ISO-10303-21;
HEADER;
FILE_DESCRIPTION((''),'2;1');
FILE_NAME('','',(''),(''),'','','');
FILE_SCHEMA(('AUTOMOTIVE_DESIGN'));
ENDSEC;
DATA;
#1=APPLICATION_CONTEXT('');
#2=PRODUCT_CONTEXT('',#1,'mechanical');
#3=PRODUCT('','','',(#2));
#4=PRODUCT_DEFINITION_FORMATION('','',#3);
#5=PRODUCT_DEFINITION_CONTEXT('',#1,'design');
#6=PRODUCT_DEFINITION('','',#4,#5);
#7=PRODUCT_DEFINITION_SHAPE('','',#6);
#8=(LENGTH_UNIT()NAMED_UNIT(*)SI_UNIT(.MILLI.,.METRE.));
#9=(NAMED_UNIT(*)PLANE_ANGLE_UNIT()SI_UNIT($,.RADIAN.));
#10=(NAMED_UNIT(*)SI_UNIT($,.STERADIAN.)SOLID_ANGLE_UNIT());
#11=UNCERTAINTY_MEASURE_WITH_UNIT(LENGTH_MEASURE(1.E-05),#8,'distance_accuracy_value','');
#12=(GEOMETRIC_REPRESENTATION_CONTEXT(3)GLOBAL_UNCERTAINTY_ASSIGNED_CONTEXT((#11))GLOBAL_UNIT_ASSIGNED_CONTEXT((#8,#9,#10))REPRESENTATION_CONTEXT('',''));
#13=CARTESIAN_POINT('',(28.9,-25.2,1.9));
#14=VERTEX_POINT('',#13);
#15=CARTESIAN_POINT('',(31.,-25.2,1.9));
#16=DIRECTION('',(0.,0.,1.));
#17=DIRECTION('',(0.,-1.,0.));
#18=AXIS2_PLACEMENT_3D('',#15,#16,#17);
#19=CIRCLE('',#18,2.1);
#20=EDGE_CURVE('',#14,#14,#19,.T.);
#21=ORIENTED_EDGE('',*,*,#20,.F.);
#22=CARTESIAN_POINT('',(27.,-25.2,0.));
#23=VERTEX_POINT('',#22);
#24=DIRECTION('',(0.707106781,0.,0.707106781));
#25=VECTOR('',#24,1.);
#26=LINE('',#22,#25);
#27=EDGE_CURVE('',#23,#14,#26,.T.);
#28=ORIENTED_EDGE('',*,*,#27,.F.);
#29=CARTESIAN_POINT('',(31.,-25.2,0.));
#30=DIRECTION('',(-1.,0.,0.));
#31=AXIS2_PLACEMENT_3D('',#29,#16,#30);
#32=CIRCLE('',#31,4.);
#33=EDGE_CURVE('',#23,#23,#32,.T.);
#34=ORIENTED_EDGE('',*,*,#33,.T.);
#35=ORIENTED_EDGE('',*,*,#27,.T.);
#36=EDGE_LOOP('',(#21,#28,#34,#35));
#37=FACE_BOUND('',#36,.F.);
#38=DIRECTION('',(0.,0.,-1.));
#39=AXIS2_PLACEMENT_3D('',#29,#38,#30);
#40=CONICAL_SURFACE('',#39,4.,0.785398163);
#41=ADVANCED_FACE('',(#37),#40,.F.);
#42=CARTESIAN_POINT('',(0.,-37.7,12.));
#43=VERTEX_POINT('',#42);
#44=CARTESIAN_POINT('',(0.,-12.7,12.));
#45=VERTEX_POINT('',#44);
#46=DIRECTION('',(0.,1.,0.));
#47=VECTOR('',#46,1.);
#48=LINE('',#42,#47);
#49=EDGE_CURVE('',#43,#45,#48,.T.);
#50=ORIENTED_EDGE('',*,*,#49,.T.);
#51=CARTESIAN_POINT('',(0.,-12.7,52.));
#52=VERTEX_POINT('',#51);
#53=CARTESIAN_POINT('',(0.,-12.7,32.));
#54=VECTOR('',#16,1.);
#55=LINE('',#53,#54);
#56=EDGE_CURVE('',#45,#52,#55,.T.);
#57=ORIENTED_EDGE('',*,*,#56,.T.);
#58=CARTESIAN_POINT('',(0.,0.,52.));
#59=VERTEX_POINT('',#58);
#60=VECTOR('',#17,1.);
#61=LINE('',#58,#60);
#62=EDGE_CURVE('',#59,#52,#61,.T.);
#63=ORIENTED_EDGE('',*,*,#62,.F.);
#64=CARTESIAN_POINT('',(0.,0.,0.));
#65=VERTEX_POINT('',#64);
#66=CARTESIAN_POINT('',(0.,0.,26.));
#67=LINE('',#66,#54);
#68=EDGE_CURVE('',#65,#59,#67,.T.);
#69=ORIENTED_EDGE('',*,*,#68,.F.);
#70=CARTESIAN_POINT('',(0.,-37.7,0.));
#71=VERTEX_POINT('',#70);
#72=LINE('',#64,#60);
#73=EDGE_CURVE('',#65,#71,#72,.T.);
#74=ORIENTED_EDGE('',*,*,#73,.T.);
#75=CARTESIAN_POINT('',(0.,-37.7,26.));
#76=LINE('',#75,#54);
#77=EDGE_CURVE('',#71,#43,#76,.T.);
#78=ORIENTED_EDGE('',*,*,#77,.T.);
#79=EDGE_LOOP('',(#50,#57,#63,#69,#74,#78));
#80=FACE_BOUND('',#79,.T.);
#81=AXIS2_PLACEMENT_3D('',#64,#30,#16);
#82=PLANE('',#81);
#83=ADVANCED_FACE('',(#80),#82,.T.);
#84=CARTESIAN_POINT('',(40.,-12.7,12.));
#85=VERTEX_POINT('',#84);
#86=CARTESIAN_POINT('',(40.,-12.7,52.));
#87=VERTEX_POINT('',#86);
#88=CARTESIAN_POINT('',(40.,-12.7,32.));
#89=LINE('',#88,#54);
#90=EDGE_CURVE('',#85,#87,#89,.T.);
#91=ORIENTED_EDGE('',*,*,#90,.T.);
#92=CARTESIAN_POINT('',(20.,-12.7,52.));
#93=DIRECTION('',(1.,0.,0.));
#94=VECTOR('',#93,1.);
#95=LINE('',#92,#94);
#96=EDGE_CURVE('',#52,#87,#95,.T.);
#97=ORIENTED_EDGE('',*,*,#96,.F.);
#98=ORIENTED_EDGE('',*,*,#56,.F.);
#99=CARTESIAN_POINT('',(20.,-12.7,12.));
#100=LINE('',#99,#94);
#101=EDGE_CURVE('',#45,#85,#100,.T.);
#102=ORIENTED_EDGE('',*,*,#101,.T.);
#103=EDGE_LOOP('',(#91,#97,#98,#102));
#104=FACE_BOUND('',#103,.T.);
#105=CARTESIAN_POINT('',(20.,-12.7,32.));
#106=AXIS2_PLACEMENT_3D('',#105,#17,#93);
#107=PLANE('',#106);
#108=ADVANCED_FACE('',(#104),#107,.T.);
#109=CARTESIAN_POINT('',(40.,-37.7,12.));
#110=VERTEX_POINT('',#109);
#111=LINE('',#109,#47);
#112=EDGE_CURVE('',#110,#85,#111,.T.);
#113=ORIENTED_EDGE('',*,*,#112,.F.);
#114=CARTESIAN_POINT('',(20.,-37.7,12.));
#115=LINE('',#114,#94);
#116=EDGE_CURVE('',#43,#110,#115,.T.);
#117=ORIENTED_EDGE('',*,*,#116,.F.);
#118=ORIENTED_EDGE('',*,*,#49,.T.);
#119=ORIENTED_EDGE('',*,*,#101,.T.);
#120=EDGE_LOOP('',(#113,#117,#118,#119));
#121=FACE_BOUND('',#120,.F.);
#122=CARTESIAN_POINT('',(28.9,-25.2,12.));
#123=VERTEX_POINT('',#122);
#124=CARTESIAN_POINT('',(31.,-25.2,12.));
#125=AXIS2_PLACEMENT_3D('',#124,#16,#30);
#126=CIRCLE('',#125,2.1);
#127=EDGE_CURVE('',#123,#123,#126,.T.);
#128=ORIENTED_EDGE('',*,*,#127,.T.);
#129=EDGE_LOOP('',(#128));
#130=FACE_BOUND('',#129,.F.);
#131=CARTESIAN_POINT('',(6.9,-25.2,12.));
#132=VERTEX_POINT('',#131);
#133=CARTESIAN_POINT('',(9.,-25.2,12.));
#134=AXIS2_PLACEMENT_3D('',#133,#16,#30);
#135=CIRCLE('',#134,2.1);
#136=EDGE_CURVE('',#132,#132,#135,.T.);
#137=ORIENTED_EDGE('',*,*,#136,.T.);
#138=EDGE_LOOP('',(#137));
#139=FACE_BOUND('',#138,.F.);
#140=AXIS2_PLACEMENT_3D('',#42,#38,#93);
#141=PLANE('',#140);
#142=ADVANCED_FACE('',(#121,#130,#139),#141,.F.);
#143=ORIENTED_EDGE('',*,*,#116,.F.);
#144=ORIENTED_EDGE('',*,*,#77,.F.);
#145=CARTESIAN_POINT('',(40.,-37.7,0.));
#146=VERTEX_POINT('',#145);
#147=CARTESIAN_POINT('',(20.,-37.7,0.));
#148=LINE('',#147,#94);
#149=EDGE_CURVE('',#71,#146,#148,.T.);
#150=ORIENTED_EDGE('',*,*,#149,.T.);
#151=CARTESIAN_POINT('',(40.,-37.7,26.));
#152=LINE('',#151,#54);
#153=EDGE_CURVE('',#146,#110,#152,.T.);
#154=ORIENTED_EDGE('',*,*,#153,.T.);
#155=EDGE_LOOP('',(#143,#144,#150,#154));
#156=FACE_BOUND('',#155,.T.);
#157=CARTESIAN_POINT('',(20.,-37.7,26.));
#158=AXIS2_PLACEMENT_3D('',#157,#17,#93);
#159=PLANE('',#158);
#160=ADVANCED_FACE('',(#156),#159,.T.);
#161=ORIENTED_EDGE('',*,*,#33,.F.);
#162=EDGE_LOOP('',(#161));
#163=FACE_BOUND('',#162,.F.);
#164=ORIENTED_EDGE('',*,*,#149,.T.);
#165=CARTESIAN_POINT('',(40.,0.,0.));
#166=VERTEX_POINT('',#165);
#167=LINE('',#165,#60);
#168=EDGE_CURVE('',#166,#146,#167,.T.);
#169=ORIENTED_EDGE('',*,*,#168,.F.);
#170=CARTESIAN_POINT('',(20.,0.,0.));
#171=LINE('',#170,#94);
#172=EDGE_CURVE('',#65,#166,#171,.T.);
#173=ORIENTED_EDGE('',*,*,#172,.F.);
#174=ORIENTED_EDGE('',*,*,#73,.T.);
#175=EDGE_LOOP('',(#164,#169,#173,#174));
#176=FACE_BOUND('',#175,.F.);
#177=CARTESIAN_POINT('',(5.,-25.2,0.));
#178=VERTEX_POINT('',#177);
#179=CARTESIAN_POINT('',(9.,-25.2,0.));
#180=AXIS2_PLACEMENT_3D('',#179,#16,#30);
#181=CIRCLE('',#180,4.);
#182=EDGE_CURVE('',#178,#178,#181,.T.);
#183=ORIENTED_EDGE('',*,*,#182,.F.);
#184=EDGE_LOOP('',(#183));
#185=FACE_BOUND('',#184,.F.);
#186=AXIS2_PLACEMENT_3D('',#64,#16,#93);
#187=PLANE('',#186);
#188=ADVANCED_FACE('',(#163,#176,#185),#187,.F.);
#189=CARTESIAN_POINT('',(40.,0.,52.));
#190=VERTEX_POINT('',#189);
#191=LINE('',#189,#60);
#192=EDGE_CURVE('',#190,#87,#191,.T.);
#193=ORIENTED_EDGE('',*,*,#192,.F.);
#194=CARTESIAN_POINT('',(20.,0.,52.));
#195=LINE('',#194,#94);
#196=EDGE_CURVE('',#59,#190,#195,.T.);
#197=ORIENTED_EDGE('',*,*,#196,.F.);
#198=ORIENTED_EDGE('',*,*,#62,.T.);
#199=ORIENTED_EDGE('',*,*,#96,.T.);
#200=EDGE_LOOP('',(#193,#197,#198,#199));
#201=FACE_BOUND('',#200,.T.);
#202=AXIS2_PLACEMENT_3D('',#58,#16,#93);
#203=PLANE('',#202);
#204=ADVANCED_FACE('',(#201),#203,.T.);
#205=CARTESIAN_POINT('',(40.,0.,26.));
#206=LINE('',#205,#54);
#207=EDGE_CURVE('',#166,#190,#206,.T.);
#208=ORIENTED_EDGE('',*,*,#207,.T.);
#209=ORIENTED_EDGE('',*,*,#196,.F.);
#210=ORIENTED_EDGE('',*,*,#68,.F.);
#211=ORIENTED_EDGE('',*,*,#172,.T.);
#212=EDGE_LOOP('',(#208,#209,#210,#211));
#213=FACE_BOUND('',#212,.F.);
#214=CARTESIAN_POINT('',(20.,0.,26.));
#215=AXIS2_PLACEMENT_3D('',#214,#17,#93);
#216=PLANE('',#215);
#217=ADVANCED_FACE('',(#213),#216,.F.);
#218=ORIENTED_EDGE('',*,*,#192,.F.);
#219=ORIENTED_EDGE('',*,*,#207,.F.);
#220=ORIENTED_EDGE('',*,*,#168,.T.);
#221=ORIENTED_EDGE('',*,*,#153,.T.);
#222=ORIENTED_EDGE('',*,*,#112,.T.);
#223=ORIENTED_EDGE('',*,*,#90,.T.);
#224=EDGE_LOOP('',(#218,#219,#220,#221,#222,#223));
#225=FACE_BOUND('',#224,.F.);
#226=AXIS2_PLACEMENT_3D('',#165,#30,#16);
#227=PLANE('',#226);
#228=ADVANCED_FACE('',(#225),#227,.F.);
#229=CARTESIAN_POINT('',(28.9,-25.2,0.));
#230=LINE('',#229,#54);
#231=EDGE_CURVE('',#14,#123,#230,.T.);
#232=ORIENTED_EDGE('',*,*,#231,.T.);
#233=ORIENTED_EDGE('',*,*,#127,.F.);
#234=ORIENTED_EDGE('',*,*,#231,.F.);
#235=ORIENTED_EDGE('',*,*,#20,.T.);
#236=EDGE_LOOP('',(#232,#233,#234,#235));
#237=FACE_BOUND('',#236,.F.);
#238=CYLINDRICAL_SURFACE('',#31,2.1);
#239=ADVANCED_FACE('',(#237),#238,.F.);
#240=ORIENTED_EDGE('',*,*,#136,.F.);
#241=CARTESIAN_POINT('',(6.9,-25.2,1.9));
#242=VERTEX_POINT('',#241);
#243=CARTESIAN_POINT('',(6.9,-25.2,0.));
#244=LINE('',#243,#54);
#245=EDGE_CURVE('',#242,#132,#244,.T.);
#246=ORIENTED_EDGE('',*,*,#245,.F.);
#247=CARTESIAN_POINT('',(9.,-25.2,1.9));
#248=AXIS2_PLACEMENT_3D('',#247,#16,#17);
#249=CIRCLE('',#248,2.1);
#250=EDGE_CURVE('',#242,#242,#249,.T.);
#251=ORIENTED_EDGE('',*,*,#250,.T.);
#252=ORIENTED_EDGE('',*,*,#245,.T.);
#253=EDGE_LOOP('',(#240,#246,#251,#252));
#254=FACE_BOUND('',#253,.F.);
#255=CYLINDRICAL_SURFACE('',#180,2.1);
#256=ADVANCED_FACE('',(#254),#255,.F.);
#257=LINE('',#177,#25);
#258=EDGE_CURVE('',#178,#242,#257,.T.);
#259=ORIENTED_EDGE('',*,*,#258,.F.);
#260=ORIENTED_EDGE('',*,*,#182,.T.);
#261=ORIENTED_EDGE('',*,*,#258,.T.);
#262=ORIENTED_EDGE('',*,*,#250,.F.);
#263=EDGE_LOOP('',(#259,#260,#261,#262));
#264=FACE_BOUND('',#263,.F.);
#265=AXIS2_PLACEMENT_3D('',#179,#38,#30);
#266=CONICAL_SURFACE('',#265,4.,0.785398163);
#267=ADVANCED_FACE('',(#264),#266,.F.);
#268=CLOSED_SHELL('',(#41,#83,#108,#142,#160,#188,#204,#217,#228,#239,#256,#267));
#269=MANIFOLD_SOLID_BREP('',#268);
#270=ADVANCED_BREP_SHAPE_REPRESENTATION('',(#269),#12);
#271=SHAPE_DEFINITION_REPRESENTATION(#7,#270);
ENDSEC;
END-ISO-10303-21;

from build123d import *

# Parameters (mm, degrees)
F0_W           = 40
F0_H           = 52
F1_DEPTH       = 37.7
F2_W           = 40
F2_H           = 40
F3_DEPTH       = 25
F5_D           = 4.2
F5_CSINK_D     = 8
F5_CSINK_ANGLE = 90


with BuildPart() as f1:
    # F0 (on Front) → F1 (new body)
    with BuildSketch(Plane.XZ):
        with Locations((20, 26)):
            Rectangle(F0_W, F0_H)
    extrude(amount=F1_DEPTH)

    # F2 (on face) → F3 (cut)
    with BuildSketch(Plane.XZ.offset(37.7)):
        with Locations((20, 32)):
            Rectangle(F2_W, F2_H)
    extrude(amount=-F3_DEPTH, mode=Mode.SUBTRACT)

    # F5 (through all)
    with Locations(Plane(origin=(0, 0, 0), x_dir=(1, 0, 0), z_dir=(0, 0, -1))):
        with Locations((9, 25.2), (31, 25.2)):
            CounterSinkHole(F5_D / 2, F5_CSINK_D / 2, counter_sink_angle=F5_CSINK_ANGLE)


solid = f1.part
